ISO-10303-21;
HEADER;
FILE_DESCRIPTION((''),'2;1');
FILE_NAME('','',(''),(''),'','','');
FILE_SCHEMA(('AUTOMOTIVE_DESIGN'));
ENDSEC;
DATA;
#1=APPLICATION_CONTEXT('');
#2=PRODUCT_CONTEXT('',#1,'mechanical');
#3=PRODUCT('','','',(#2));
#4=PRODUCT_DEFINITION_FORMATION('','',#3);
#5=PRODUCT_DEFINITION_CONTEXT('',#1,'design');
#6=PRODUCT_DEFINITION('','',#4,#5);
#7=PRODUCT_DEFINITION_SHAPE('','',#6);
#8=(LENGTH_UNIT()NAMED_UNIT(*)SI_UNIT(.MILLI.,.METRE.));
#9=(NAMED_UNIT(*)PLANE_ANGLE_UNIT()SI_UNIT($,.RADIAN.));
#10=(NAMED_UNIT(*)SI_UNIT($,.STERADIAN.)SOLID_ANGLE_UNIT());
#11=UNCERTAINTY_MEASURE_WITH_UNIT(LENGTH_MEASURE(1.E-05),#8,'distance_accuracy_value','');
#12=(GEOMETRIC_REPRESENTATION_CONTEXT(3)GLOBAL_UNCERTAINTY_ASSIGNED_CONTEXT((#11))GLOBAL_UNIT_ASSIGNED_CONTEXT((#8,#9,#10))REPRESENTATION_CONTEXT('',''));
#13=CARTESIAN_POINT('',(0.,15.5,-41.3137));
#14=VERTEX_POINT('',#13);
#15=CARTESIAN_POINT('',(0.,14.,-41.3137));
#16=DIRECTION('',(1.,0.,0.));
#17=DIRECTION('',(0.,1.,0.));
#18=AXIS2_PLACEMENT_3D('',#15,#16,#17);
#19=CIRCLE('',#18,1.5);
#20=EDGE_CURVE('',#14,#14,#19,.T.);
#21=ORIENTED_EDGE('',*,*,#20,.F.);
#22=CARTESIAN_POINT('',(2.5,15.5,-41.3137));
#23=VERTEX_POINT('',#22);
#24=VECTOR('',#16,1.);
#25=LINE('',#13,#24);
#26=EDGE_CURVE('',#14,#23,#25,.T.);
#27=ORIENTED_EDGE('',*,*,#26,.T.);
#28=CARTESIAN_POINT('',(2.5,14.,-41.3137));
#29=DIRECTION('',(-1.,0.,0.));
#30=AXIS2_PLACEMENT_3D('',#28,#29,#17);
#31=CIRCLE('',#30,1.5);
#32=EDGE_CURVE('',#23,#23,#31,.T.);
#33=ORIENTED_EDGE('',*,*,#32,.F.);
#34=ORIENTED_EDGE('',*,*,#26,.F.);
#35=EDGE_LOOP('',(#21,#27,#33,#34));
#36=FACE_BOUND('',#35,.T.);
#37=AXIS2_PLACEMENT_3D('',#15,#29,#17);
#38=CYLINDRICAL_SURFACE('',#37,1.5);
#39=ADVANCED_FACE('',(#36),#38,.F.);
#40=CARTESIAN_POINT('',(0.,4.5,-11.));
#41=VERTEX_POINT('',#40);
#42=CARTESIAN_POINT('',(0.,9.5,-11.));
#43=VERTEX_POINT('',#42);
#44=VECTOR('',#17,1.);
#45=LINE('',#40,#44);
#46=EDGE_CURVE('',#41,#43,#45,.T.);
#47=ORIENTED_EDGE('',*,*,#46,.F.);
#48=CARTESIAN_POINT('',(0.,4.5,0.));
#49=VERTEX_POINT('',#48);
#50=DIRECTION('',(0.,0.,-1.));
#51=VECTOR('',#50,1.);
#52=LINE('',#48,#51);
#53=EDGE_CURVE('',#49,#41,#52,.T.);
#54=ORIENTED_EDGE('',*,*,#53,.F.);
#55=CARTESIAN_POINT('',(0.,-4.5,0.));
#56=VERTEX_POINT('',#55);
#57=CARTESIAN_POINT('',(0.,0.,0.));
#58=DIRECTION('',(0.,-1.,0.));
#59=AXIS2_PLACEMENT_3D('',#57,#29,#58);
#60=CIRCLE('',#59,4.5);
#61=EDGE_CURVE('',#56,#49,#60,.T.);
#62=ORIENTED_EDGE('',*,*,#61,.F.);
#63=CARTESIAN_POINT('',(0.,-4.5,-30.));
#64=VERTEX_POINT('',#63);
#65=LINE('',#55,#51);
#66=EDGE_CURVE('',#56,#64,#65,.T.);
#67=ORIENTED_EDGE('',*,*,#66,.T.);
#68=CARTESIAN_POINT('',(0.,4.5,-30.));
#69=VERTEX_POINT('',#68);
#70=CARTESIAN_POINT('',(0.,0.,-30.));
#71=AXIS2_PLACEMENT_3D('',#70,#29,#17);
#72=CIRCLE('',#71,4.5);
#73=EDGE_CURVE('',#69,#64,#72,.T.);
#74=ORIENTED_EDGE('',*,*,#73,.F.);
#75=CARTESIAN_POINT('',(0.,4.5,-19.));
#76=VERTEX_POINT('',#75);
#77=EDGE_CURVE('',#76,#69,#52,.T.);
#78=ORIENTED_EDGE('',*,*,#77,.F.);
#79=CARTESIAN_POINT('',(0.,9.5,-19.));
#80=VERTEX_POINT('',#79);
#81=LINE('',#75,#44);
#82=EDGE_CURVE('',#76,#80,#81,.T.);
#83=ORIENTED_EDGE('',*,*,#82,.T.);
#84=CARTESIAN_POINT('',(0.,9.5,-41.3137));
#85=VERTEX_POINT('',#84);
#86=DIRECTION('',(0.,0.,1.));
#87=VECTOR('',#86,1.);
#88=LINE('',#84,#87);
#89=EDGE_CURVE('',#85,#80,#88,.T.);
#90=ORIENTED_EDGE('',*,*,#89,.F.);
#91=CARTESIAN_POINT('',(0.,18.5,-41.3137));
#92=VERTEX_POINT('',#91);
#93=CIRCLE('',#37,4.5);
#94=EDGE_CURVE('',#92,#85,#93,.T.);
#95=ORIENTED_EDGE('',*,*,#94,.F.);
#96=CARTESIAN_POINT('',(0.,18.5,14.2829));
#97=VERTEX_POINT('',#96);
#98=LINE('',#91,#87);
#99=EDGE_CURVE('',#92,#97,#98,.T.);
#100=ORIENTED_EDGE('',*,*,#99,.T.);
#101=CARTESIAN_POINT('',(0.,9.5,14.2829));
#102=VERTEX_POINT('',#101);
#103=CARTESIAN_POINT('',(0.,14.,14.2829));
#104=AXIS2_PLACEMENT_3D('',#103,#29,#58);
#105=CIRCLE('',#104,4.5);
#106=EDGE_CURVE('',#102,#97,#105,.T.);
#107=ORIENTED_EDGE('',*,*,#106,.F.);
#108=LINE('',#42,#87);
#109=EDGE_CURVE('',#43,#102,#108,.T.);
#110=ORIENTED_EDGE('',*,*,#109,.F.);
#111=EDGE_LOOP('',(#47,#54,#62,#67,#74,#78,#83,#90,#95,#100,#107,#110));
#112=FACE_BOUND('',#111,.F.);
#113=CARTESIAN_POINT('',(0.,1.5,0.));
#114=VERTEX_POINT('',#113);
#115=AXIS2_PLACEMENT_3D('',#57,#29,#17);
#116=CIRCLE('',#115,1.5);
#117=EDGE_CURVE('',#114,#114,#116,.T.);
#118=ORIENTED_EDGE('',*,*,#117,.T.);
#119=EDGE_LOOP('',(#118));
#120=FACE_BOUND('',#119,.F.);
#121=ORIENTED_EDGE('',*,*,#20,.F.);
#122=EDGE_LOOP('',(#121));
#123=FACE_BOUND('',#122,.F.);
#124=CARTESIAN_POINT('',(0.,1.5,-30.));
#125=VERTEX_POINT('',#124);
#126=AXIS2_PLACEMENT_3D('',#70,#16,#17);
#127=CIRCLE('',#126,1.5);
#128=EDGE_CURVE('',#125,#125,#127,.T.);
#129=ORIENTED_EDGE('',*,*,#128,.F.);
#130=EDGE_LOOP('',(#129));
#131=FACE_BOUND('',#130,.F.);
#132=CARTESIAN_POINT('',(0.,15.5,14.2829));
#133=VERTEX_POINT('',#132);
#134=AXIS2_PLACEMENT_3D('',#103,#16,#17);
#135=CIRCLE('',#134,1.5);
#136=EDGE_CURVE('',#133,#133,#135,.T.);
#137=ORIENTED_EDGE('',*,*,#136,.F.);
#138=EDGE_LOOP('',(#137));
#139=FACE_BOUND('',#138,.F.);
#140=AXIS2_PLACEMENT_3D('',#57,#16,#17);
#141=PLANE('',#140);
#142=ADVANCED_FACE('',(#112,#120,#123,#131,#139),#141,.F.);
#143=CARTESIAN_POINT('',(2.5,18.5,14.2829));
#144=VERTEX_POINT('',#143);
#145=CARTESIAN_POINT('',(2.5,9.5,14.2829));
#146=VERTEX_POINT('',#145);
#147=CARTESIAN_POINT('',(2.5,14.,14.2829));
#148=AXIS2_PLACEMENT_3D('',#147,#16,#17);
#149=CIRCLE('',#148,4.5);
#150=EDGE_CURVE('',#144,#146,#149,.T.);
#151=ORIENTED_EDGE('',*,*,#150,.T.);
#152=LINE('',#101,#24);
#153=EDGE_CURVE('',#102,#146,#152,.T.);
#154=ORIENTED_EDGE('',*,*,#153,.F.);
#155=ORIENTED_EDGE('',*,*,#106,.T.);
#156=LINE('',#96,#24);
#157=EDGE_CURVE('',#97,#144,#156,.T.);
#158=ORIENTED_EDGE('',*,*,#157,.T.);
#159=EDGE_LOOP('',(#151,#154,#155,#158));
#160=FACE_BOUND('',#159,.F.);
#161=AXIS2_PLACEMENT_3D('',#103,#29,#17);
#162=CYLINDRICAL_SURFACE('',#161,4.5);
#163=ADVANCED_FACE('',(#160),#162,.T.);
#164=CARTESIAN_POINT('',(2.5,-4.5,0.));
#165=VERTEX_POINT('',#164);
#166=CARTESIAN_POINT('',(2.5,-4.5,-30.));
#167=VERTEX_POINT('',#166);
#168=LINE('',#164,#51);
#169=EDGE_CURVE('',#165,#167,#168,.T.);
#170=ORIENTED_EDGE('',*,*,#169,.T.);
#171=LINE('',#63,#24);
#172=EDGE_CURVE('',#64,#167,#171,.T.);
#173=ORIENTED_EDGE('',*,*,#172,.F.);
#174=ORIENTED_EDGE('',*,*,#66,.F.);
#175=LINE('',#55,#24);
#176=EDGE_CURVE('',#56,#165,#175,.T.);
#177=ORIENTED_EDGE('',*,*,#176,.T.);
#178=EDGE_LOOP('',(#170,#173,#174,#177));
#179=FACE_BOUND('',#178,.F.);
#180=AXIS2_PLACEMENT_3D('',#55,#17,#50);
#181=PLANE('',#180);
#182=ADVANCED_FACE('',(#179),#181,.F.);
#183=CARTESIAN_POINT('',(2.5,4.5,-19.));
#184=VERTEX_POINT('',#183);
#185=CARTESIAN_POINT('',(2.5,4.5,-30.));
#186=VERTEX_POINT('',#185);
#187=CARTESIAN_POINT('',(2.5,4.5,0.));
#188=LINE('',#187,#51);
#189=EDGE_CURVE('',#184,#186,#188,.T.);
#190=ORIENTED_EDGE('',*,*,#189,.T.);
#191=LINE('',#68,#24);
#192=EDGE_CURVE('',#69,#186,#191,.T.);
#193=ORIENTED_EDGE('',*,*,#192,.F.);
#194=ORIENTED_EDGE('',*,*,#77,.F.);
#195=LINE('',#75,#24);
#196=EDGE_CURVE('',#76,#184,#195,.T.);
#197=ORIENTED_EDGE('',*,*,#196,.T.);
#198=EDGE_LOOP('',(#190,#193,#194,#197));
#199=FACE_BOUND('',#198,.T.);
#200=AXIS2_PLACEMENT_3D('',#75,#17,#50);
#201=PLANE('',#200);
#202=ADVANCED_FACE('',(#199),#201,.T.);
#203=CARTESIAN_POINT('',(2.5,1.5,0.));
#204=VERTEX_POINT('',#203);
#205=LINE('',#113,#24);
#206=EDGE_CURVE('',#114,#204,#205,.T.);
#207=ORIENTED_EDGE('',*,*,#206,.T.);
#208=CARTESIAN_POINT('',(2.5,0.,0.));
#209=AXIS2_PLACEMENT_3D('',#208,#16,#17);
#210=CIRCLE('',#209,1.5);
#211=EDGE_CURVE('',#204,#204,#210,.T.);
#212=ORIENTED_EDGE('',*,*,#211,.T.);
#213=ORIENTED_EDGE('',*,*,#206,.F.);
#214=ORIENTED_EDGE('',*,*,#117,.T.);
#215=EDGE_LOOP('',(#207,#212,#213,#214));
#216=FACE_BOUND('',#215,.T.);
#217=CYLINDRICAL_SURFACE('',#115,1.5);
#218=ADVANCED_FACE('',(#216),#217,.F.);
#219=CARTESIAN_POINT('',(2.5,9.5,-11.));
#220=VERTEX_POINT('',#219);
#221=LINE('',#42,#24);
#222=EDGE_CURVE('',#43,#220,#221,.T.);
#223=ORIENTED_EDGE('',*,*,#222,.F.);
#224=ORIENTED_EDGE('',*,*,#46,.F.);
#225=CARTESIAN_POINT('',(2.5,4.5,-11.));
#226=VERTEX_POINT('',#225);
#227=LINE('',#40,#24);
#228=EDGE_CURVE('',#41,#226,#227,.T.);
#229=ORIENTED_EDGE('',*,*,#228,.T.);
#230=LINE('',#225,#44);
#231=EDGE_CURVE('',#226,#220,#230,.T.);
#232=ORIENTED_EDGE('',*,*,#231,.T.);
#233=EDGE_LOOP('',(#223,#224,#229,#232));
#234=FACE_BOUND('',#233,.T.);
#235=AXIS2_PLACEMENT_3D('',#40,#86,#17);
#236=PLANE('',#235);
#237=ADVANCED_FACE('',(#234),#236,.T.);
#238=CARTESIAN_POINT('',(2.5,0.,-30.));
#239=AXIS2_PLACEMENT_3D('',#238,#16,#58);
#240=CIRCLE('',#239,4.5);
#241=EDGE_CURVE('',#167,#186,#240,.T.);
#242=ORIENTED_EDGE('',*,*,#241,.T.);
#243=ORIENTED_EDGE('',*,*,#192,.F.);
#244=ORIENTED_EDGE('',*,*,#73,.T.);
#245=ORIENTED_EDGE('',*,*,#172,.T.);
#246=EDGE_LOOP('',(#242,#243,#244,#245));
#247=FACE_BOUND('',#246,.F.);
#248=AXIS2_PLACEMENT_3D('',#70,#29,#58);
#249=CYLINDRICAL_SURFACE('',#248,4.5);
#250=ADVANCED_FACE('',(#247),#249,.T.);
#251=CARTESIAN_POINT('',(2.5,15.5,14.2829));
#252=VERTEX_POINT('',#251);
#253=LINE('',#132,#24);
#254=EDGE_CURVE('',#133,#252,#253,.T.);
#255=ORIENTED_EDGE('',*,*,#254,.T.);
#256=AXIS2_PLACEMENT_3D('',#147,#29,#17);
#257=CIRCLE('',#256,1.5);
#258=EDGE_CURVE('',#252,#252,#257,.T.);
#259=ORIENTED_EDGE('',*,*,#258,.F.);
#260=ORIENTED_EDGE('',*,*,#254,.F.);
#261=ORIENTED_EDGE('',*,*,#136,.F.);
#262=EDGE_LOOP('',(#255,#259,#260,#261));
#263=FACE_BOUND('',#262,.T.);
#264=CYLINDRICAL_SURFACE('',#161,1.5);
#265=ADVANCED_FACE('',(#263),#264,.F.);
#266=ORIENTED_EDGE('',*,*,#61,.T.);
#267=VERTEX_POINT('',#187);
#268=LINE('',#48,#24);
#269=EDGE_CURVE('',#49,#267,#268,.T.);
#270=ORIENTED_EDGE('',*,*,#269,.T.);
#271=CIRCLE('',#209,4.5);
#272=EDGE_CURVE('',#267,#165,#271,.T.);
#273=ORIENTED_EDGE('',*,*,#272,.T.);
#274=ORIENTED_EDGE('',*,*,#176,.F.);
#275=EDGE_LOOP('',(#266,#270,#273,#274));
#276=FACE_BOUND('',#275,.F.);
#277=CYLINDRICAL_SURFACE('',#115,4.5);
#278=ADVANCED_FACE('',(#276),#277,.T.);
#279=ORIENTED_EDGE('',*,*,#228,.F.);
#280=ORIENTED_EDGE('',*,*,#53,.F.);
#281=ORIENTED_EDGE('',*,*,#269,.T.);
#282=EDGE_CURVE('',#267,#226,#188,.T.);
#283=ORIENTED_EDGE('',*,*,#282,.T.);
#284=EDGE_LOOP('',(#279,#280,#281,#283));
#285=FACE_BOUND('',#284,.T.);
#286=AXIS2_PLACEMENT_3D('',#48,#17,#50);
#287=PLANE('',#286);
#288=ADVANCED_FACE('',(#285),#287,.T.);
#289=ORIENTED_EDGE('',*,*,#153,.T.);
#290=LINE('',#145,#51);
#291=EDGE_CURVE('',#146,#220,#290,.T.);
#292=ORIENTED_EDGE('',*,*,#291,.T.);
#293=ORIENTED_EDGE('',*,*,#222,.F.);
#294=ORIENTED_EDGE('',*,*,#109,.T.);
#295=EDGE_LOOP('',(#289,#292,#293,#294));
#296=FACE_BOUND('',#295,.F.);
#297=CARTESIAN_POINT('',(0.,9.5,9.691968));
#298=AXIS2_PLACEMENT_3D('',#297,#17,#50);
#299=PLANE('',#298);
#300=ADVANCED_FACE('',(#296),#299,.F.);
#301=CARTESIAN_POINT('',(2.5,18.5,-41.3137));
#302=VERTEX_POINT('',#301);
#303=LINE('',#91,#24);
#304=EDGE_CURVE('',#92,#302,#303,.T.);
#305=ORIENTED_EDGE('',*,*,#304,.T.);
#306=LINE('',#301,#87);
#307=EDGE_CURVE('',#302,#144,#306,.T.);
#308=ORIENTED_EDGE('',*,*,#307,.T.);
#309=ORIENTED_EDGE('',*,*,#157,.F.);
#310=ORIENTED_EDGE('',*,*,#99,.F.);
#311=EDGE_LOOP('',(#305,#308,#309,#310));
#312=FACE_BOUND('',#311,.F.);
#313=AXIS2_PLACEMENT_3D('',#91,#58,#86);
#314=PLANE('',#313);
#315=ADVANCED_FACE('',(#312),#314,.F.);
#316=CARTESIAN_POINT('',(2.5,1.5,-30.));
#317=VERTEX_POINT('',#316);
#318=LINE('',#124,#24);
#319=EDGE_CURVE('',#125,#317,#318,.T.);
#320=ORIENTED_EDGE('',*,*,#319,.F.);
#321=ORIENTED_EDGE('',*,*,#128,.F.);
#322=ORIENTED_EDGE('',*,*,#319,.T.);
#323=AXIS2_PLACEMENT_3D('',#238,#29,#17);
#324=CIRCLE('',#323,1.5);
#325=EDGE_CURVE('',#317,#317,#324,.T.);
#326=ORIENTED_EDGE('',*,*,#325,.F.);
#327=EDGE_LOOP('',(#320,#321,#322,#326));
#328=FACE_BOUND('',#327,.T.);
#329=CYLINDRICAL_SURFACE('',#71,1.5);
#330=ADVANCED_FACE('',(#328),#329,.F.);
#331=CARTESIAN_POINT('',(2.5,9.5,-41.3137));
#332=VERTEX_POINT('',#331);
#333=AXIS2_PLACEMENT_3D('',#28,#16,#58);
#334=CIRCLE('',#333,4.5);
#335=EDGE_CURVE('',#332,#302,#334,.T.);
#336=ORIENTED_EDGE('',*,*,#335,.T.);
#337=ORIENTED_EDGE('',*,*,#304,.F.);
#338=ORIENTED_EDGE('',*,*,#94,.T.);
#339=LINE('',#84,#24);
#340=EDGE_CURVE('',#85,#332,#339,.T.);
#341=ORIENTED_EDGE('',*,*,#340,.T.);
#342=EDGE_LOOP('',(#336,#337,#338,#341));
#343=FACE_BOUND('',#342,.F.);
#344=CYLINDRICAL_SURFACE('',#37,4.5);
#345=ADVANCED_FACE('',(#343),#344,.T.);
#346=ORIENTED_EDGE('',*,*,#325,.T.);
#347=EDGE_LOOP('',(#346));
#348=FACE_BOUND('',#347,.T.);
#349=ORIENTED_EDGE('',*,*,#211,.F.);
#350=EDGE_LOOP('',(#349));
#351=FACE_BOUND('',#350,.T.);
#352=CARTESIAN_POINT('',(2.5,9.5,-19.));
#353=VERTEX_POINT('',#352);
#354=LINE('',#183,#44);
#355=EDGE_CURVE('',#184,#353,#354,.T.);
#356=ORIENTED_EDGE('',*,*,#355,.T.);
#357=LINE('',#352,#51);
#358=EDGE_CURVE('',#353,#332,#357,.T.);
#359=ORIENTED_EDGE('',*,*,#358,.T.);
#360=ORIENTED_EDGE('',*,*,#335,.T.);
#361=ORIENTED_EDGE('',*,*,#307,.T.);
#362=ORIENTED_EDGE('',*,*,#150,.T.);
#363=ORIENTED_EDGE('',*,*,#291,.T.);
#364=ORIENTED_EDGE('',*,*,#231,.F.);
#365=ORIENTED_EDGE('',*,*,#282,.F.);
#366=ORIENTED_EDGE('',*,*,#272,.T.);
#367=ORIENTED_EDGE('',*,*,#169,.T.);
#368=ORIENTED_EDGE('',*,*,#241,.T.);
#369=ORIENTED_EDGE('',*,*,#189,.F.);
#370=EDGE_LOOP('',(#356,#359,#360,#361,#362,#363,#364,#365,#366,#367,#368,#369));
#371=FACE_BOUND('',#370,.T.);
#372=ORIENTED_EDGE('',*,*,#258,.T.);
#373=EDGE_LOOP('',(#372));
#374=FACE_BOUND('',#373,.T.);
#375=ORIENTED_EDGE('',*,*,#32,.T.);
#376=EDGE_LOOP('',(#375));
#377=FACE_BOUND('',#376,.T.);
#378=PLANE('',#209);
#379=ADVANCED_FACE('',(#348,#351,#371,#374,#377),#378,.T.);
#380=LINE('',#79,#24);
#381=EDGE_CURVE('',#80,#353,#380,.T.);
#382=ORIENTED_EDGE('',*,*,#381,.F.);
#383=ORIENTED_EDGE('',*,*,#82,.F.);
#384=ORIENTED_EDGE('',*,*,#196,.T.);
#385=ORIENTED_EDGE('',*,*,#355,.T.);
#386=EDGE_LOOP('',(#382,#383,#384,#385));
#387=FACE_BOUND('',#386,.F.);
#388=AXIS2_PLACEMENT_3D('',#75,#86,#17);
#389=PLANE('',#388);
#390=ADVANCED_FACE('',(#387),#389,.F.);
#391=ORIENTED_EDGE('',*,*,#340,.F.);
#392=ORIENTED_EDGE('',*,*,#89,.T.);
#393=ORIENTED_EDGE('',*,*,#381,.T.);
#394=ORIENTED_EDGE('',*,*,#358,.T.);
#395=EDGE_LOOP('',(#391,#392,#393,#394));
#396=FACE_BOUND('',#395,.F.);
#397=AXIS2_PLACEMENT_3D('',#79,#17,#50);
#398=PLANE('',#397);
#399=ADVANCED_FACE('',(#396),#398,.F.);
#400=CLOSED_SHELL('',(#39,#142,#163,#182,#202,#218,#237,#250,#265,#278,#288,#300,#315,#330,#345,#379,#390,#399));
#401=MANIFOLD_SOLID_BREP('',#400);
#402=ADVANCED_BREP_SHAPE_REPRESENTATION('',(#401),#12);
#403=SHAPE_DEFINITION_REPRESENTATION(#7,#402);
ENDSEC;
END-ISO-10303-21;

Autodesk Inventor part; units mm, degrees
ref_plane "YZ Plane" through (0, 0, 0) normal (1, 0, 0) x (0, 1, 0)
ref_plane "XZ Plane" through (0, 0, 0) normal (0, 1, 0) x (-1, 0, 0)
ref_plane "XY Plane" through (0, 0, 0) normal (0, 0, 1) x (1, 0, 0)
sketch "Sketch1" plane through (0, 0, 0) normal (1, 0, 0) x (0, 1, 0)
  circle A0 centre (0, 0) radius 1.5
  line L0 (0, 0) -> (0, -30)
  circle A1 centre (0, -30) radius 1.5
  arc A2 (-4.5, -30) -> (0, -25.5) centre (0, -30) ccw
  arc A3 (4.5, 0) -> (0, -4.5) centre (0, 0) ccw
  line L1 (4.5, 0) -> (4.5, -30)
  line L2 (-4.5, 0) -> (-4.5, -30)
  line L3 (4.5, 0) -> (4.5, -15)
  line L4 (4.5, -15) -> (4.5, -19)
  line L5 (4.5, -15) -> (4.5, -11)
  line L6 (4.5, -11) -> (9.5, -11)
  line L7 (4.5, -19) -> (9.5, -19)
  line L8 (9.5, -11) -> (9.5, -19)
  line L9 (9.5, -19) -> (9.5, -15)
  line L10 (9.5, -15) -> (14, -15)
  line L11 (14, -15) -> (14, -65)
  line L12 (0, 0) -> (14, 14.2829)
  circle A4 centre (14, 14.2829) radius 1.5
  circle A5 centre (14, 14.2829) radius 4.5
  line L13 (14, -15) -> (14, 15.7829)
  line L14 (14, 18.7829) -> (14, 35)
  line L15 (9.5, 14.2829) -> (9.5, -11)
  line L16 (0, -30) -> (14, -41.3137)
  circle A6 centre (14, -41.3137) radius 1.5
  circle A7 centre (14, -41.3137) radius 4.5
  line L17 (9.5, -19) -> (9.5, -41.3137)
  line L18 (18.5, -41.3137) -> (18.5, 14.2829)
  dimension "d15" = 3
  dimension "d0" = 3
  dimension "d1" = 30
  dimension "d2" = 3
  dimension "d3" = 9
  dimension "d4" = 9
  dimension "d5" = 15
  dimension "d6" = 4
  dimension "d7" = 4
  dimension "d8" = 5
  dimension "d9" = 5
  dimension "d10" = 4
  dimension "d11" = 4.5
  dimension "d12" = 50
  dimension "d13" = 50
  dimension "d14" = 20
  dimension "d16" = 9
  dimension "d17" = 18
  dimension "d18" = 3
  dimension "d19" = 9
extrude "Extrusion1" add sketch "Sketch1" along normal blind 2.5 contours A0 L12 A3 L1 A2 L0 | A0 L0 A3 L12 | L0 A1 L16 A2 L2 A3 | L15 A5 L12 | L12 A5 L13 L10 L8 L15 | A2 L16 A1 L0 | L6 L8 L7 L1 | A5 L13 A4 L12 | L12 A4 L13 A5 | A5 L18 A7 L11 L13 | L10 L11 A7 L16 L17 L8 | L16 A7 L17 | A7 L11 A6 L16 | L16 A6 L11 A7 | A7 L11 A6
properties part number "acople_acr"
